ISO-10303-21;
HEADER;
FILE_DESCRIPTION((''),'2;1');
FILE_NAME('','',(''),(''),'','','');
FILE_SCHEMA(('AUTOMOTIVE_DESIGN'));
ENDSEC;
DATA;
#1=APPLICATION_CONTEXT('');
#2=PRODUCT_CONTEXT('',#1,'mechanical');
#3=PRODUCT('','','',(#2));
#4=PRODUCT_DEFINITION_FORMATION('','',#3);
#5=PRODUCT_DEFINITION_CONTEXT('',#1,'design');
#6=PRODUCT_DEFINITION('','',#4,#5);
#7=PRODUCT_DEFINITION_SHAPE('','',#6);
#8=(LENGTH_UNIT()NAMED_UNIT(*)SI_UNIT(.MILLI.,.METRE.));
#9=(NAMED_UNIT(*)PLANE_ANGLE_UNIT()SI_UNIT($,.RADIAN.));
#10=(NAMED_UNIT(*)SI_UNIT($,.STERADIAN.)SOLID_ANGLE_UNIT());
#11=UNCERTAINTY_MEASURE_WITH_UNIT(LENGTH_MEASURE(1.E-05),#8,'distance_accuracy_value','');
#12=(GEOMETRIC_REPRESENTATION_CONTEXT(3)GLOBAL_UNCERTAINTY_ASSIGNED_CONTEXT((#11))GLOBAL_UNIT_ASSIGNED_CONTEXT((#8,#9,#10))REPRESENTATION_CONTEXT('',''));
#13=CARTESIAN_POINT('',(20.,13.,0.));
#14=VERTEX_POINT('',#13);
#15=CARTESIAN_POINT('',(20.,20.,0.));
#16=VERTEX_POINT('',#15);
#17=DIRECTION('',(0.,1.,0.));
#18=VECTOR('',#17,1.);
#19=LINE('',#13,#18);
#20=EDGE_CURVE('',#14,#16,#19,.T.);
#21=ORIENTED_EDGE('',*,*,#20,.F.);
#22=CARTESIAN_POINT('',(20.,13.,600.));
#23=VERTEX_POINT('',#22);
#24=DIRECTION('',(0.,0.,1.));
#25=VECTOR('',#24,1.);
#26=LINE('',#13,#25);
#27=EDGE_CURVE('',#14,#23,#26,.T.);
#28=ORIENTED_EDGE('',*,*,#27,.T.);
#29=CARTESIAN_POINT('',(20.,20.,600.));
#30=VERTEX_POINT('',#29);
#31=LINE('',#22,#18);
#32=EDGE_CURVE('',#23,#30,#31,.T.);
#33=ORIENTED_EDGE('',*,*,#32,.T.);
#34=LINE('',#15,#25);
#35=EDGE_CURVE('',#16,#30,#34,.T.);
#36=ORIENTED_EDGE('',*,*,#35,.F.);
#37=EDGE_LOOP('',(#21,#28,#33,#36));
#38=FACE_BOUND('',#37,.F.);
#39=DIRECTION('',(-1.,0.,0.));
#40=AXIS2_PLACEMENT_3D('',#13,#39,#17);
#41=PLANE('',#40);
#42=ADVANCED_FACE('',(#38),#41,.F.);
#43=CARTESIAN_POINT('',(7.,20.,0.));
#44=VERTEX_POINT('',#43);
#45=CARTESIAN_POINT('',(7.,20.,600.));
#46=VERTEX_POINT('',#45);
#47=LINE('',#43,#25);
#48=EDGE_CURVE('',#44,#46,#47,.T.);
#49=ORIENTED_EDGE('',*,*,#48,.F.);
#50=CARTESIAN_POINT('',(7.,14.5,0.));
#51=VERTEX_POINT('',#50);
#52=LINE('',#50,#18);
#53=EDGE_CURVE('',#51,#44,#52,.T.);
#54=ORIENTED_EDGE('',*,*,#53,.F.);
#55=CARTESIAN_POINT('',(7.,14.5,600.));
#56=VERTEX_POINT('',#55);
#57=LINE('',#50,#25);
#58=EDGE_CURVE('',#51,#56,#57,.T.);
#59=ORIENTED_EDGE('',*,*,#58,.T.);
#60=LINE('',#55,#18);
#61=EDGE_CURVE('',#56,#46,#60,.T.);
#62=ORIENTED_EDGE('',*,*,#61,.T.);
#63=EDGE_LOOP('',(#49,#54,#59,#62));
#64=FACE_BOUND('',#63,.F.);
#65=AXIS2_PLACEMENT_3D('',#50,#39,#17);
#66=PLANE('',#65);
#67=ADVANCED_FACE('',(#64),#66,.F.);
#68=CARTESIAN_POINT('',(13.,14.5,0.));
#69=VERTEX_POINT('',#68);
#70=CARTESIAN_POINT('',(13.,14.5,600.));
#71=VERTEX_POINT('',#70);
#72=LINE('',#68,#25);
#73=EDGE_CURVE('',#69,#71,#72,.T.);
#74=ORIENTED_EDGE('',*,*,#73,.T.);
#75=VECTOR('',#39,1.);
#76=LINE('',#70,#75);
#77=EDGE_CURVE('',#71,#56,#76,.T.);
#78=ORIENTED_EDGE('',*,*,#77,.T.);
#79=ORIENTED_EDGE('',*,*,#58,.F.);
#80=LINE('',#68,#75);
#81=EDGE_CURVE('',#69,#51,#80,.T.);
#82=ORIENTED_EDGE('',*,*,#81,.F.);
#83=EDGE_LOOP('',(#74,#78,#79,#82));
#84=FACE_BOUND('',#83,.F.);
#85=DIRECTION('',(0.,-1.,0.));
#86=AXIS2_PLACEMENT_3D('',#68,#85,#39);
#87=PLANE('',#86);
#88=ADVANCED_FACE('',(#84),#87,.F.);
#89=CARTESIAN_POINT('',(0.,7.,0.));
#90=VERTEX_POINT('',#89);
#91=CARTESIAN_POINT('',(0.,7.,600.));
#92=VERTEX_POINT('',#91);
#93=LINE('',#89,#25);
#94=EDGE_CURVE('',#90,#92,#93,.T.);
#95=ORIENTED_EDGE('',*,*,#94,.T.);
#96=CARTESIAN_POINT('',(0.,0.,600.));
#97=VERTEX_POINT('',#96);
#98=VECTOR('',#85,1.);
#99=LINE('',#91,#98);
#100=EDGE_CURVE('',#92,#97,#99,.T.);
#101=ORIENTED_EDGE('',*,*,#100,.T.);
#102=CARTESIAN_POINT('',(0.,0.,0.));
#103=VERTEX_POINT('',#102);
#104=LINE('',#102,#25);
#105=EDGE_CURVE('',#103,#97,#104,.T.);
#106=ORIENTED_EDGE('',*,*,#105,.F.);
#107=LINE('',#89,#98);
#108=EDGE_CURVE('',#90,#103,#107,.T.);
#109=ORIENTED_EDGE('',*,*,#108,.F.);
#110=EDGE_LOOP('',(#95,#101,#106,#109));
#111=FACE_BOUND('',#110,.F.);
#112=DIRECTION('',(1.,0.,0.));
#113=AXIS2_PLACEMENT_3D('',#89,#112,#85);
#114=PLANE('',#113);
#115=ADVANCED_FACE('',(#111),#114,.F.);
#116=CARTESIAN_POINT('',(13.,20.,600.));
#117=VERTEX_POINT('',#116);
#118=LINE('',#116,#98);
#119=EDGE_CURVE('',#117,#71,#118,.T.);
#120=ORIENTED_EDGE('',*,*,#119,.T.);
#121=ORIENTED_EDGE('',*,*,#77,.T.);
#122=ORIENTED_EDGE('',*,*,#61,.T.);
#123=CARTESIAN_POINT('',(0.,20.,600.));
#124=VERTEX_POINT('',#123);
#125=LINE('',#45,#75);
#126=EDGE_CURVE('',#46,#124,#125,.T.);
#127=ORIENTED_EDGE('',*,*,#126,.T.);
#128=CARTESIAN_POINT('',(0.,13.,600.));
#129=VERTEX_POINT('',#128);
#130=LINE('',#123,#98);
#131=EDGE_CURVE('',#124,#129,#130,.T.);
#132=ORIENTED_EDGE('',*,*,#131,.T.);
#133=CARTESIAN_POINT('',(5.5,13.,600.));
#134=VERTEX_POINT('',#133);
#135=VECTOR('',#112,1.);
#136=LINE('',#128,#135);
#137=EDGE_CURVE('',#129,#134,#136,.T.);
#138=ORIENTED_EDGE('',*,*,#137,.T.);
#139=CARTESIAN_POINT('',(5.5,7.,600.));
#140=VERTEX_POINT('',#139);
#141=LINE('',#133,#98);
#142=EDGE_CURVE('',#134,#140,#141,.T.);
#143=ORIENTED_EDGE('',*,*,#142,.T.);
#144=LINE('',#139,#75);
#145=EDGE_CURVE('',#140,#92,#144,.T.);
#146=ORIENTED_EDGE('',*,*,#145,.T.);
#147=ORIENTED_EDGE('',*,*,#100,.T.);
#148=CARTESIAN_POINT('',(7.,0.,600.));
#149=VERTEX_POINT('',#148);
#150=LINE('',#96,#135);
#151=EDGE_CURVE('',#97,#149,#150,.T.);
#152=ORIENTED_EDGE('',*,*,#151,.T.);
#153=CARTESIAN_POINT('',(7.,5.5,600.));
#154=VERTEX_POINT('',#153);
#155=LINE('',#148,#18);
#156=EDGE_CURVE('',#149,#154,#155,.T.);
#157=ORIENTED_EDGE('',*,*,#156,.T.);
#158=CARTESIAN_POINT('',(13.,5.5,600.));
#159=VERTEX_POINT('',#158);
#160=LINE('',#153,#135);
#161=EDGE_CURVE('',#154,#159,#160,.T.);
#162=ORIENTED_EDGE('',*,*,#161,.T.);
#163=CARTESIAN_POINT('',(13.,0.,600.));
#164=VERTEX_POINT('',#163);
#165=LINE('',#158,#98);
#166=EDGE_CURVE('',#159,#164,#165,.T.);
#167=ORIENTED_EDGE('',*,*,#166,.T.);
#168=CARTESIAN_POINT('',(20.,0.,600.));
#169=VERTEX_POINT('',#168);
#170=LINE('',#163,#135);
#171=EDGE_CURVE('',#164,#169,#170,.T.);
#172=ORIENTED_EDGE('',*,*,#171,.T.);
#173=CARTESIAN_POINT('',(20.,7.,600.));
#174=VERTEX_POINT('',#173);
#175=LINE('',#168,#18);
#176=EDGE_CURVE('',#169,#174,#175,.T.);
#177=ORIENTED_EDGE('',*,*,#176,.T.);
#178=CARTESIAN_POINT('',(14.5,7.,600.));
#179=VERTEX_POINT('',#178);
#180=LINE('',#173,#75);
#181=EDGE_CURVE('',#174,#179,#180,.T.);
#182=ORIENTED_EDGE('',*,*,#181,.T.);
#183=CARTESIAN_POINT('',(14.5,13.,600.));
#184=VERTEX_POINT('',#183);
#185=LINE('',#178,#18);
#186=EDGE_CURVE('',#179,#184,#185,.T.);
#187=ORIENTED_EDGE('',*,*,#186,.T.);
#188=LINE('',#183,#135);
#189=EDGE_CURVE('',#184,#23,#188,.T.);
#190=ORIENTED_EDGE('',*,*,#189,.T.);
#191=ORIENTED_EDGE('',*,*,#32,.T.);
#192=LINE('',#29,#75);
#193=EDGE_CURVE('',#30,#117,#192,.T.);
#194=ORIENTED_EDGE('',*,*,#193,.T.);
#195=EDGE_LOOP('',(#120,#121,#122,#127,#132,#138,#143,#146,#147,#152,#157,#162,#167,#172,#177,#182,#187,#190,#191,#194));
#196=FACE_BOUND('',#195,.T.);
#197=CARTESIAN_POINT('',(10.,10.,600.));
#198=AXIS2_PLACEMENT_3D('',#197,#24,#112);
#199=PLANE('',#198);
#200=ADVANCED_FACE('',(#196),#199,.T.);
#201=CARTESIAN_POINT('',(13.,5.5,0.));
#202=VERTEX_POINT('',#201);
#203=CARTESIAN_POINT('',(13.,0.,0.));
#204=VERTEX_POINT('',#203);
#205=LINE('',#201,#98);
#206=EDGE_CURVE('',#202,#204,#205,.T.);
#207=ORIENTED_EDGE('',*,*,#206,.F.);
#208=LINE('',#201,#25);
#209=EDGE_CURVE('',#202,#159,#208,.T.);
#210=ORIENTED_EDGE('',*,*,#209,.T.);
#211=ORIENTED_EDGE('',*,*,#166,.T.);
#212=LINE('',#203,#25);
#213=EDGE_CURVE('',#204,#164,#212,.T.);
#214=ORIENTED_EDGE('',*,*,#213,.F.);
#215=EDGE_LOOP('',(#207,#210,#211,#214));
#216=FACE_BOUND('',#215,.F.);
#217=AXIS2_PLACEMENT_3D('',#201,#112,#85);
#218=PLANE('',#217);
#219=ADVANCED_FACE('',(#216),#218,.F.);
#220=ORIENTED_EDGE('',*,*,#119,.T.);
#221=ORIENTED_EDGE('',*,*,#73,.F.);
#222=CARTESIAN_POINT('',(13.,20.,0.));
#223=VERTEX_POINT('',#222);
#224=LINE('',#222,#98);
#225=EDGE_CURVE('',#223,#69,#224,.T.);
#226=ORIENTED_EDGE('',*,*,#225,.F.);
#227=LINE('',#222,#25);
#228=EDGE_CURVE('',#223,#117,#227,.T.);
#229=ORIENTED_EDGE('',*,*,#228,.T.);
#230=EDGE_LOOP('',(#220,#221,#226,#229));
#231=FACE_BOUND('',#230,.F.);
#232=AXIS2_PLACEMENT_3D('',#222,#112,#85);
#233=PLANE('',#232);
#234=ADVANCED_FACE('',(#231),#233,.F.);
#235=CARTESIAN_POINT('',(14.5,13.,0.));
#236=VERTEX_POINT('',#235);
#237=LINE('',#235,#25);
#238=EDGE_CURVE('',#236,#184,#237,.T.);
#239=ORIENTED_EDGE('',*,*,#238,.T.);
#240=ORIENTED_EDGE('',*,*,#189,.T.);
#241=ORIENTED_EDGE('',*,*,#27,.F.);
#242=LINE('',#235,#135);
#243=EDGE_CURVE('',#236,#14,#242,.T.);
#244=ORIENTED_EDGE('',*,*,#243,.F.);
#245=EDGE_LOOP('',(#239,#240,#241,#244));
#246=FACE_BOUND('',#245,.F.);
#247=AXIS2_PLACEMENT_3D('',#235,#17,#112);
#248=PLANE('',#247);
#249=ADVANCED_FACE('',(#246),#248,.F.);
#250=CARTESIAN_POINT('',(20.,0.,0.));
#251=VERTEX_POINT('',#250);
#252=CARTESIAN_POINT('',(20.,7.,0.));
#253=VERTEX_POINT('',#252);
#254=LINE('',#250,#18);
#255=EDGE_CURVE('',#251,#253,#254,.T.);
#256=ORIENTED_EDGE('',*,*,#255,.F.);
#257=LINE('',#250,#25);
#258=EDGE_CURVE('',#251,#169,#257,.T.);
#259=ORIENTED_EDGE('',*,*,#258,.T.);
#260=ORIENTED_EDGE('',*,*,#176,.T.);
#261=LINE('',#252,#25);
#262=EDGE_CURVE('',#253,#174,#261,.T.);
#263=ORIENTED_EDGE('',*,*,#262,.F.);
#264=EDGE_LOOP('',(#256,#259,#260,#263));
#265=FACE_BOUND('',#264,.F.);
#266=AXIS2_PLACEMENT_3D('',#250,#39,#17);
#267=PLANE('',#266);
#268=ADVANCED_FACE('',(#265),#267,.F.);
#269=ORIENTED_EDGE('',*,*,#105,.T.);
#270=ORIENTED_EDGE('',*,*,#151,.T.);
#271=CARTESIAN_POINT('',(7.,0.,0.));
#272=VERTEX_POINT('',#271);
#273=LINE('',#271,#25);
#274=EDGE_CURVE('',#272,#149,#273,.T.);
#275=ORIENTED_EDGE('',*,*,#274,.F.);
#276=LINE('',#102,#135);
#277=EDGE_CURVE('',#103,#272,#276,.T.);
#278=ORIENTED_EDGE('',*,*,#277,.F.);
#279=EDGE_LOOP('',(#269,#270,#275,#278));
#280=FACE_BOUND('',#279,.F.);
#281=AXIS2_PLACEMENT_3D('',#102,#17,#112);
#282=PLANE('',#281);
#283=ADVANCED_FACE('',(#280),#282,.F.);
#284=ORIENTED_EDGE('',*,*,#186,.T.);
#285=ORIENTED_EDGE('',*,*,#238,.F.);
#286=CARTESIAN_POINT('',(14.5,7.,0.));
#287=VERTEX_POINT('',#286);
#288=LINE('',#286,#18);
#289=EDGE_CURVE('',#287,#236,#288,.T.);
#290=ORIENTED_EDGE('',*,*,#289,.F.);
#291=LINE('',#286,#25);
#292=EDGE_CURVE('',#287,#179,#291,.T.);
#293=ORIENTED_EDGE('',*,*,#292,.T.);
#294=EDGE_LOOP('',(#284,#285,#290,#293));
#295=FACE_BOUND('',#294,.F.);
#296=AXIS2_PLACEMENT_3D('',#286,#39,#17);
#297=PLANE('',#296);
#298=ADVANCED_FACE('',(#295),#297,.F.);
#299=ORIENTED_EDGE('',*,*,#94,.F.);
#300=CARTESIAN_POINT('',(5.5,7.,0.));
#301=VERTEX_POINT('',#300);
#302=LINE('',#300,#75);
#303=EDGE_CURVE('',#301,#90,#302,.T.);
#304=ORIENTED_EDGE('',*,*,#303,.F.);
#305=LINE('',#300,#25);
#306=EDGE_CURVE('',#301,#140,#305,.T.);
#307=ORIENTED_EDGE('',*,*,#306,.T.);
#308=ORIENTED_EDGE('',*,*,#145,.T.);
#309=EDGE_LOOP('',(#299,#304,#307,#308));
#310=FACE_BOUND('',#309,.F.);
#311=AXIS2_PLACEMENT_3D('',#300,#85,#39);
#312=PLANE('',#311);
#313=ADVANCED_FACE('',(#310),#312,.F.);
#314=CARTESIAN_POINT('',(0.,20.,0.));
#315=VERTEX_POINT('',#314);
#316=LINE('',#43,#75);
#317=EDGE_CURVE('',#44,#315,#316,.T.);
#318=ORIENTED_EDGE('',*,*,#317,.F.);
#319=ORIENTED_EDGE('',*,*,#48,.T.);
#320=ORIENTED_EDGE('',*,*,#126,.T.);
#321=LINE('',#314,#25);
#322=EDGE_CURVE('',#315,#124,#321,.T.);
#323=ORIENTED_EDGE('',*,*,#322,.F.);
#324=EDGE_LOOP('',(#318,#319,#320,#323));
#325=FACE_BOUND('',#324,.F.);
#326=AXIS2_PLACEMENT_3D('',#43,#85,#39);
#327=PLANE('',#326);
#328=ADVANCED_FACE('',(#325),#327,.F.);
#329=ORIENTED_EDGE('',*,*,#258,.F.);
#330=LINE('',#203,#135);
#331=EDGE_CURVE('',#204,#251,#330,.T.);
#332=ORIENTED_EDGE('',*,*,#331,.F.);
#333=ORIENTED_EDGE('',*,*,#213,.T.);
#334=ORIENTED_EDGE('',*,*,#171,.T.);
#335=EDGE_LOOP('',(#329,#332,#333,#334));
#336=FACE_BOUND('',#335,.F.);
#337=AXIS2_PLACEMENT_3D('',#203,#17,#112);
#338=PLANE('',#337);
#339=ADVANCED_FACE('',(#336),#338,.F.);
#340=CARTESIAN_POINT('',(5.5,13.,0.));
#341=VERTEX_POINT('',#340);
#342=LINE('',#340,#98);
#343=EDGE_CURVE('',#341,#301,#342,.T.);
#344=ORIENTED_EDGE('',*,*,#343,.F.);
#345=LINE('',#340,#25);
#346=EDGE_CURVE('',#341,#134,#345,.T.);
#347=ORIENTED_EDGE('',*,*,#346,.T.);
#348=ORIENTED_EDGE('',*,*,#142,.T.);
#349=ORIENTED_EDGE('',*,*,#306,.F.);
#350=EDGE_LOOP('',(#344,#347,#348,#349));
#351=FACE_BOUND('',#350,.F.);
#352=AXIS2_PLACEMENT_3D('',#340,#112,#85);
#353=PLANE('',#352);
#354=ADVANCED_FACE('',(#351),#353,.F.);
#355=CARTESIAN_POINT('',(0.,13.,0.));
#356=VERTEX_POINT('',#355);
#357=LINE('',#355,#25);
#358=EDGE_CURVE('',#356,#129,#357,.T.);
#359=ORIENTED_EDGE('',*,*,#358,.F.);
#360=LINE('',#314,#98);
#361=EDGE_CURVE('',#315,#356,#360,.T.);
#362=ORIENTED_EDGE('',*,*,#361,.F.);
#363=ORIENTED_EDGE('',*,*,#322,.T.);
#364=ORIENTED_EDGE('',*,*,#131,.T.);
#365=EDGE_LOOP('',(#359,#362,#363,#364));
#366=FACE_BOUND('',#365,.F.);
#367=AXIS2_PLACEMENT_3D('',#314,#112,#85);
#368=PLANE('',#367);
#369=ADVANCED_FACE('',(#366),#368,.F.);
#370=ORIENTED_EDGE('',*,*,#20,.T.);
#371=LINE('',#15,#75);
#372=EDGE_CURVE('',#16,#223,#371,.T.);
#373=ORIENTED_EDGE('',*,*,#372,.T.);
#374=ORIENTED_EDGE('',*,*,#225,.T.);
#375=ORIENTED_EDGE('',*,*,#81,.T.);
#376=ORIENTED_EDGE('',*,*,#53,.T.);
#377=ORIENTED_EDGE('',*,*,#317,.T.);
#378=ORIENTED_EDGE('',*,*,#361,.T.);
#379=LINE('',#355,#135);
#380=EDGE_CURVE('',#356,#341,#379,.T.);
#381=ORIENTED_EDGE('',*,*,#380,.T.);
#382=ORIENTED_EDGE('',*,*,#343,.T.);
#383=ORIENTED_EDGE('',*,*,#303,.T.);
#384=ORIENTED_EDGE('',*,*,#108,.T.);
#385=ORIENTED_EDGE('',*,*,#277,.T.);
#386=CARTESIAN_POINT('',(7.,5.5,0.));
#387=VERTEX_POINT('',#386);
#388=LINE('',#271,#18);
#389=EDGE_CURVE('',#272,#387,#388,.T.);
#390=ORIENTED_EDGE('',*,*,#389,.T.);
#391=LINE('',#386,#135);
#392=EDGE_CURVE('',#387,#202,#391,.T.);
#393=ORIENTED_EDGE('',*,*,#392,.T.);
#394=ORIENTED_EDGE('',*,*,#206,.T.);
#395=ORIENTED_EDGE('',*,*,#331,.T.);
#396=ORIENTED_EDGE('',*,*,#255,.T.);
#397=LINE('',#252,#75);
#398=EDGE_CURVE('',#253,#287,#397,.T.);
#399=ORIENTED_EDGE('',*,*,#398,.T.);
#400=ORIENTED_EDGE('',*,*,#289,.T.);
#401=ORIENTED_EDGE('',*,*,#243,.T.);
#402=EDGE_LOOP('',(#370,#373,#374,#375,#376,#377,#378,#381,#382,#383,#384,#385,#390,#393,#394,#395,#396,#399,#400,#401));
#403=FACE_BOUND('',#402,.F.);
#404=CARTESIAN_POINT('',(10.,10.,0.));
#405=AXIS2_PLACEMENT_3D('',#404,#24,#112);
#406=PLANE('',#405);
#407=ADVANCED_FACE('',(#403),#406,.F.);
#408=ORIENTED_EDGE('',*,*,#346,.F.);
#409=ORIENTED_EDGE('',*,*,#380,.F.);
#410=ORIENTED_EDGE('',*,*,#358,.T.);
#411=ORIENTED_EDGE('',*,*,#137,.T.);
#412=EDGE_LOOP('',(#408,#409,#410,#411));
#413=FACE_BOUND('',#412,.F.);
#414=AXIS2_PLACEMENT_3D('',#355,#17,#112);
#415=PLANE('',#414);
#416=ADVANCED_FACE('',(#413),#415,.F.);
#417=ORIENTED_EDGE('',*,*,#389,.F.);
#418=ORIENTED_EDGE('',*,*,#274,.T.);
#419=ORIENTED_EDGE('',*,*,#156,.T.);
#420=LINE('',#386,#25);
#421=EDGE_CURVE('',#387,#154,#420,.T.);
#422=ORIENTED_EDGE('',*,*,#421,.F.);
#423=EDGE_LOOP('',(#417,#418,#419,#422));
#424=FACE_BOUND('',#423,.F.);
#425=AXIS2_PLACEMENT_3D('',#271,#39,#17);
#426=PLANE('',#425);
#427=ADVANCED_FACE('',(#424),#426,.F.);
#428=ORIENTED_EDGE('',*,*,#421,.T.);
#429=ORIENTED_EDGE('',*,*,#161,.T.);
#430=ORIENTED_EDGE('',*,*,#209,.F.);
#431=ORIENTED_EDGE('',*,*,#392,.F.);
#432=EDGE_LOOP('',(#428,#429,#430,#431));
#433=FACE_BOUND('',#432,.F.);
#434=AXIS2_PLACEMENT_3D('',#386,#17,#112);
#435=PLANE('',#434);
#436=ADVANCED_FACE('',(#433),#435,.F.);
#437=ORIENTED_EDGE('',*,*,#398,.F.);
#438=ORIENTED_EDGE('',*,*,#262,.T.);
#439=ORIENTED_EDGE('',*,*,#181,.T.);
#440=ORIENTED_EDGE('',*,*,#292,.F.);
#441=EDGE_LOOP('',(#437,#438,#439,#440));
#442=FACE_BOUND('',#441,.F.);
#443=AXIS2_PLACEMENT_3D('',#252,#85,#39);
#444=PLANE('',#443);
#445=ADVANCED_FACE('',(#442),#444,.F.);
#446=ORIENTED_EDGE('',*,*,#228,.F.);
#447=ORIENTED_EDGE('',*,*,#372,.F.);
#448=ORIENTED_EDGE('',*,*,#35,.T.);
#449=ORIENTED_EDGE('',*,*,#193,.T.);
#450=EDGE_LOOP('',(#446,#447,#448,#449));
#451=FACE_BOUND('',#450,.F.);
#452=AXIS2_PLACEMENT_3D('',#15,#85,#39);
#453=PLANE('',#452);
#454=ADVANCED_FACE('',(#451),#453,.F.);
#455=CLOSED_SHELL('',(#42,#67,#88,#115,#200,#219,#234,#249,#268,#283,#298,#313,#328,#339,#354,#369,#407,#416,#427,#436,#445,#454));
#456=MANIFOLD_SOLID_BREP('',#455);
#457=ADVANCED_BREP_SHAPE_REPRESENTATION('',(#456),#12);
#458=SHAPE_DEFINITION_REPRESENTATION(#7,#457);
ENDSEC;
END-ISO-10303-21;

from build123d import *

# Parameters (mm, degrees)
F1_DEPTH = 600


with BuildPart() as f1:
    # F0 (on Top) → F1 (new body)
    with BuildSketch(Plane.XY):
        Polygon((0, 7), (0, 0), (7, 0), (7, 5.5), (13, 5.5), (13, 0), (20, 0), (20, 7), (14.5, 7), (14.5, 13), (20, 13), (20, 20), (13, 20), (13, 14.5), (7, 14.5), (7, 20), (0, 20), (0, 13), (5.5, 13), (5.5, 7), align=None)
    extrude(amount=F1_DEPTH)


solid = f1.part
